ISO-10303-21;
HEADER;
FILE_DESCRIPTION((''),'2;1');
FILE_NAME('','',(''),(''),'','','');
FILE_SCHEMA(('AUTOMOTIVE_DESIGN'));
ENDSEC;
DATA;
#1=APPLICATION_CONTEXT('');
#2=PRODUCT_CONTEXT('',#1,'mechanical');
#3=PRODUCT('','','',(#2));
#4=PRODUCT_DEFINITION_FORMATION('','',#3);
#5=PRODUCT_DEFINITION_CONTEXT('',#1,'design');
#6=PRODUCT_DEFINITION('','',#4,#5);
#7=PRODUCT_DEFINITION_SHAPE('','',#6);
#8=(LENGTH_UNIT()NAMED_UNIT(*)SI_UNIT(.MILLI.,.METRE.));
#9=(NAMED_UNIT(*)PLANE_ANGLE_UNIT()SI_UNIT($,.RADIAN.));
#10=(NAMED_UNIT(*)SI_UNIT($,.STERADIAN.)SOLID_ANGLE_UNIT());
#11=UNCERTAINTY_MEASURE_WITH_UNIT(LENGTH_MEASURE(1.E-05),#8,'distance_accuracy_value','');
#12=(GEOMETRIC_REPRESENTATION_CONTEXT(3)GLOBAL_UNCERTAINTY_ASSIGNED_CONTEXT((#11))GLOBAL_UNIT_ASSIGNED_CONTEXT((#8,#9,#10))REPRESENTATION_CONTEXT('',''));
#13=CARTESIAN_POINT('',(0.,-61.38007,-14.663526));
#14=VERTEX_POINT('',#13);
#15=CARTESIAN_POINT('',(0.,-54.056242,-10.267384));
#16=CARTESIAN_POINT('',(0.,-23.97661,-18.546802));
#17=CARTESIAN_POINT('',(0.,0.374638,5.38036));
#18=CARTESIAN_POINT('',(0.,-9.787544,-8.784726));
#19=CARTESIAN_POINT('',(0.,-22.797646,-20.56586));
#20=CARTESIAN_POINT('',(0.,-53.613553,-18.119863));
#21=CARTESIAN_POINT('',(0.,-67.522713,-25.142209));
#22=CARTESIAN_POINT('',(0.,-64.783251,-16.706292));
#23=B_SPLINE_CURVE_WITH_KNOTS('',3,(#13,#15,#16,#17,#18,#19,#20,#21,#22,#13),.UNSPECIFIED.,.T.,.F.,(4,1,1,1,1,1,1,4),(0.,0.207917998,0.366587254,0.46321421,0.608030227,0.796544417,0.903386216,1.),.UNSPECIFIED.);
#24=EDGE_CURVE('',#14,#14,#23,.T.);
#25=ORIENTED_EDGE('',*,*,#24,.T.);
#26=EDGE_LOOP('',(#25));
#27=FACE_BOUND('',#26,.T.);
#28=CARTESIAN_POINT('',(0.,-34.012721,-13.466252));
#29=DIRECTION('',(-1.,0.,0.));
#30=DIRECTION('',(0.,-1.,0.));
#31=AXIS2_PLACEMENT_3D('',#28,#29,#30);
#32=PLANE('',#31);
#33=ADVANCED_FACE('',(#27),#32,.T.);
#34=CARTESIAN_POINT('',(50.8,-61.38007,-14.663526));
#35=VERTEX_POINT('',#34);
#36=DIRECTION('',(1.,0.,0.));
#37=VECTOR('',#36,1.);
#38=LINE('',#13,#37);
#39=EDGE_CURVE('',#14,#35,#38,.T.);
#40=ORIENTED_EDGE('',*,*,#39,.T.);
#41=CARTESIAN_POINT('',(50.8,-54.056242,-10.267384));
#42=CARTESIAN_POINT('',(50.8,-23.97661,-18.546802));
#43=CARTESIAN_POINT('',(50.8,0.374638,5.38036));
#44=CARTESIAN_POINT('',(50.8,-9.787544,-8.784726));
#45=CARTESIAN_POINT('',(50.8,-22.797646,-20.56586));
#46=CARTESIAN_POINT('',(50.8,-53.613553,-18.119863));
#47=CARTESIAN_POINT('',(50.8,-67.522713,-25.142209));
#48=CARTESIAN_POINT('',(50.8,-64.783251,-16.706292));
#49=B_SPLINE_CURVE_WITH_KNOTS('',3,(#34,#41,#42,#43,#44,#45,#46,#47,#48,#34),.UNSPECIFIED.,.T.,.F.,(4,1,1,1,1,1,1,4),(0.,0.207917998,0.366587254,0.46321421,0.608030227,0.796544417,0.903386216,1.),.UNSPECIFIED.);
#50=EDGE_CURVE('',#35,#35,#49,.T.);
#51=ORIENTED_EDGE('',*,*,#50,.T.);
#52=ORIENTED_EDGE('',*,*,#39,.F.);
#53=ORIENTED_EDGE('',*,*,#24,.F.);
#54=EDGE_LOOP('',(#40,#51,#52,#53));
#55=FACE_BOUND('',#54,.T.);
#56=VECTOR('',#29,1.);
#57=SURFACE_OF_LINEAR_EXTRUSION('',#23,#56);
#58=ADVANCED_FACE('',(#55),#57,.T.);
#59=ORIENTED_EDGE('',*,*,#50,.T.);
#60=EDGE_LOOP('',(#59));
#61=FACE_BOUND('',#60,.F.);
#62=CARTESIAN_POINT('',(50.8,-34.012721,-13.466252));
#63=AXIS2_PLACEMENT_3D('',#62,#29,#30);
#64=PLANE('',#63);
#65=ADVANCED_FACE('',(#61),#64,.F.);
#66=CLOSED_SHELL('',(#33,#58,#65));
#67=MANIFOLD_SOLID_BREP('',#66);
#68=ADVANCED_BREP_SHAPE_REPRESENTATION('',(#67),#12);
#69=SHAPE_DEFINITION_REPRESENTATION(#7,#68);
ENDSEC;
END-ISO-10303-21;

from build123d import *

# Parameters (mm, degrees)
F1_DEPTH = 50.8


with BuildPart() as f1:
    # F0 (on Right) → F1 (new body)
    with BuildSketch(Plane.YZ):
        with BuildLine():
            add(Edge.make_bspline(
                [(-61.3800697029, -14.663525857), (-54.0562416888, -10.2673839827), (-23.976609799, -18.5468016122), (0.3746384071, 5.3803595925), (-9.7875444915, -8.7847261739), (-22.7976462992, -20.5658598901), (-53.6135532181, -18.1198625198), (-67.5227128377, -25.1422086151), (-64.7832514505, -16.7062922571), (-61.3800697029, -14.663525857)],
                knots=[0, 0, 0, 0, 0.2079179982, 0.3665872537, 0.4632142099, 0.6080302274, 0.7965444172, 0.9033862162, 1, 1, 1, 1], degree=3))
        make_face()
    extrude(amount=F1_DEPTH)


solid = f1.part
